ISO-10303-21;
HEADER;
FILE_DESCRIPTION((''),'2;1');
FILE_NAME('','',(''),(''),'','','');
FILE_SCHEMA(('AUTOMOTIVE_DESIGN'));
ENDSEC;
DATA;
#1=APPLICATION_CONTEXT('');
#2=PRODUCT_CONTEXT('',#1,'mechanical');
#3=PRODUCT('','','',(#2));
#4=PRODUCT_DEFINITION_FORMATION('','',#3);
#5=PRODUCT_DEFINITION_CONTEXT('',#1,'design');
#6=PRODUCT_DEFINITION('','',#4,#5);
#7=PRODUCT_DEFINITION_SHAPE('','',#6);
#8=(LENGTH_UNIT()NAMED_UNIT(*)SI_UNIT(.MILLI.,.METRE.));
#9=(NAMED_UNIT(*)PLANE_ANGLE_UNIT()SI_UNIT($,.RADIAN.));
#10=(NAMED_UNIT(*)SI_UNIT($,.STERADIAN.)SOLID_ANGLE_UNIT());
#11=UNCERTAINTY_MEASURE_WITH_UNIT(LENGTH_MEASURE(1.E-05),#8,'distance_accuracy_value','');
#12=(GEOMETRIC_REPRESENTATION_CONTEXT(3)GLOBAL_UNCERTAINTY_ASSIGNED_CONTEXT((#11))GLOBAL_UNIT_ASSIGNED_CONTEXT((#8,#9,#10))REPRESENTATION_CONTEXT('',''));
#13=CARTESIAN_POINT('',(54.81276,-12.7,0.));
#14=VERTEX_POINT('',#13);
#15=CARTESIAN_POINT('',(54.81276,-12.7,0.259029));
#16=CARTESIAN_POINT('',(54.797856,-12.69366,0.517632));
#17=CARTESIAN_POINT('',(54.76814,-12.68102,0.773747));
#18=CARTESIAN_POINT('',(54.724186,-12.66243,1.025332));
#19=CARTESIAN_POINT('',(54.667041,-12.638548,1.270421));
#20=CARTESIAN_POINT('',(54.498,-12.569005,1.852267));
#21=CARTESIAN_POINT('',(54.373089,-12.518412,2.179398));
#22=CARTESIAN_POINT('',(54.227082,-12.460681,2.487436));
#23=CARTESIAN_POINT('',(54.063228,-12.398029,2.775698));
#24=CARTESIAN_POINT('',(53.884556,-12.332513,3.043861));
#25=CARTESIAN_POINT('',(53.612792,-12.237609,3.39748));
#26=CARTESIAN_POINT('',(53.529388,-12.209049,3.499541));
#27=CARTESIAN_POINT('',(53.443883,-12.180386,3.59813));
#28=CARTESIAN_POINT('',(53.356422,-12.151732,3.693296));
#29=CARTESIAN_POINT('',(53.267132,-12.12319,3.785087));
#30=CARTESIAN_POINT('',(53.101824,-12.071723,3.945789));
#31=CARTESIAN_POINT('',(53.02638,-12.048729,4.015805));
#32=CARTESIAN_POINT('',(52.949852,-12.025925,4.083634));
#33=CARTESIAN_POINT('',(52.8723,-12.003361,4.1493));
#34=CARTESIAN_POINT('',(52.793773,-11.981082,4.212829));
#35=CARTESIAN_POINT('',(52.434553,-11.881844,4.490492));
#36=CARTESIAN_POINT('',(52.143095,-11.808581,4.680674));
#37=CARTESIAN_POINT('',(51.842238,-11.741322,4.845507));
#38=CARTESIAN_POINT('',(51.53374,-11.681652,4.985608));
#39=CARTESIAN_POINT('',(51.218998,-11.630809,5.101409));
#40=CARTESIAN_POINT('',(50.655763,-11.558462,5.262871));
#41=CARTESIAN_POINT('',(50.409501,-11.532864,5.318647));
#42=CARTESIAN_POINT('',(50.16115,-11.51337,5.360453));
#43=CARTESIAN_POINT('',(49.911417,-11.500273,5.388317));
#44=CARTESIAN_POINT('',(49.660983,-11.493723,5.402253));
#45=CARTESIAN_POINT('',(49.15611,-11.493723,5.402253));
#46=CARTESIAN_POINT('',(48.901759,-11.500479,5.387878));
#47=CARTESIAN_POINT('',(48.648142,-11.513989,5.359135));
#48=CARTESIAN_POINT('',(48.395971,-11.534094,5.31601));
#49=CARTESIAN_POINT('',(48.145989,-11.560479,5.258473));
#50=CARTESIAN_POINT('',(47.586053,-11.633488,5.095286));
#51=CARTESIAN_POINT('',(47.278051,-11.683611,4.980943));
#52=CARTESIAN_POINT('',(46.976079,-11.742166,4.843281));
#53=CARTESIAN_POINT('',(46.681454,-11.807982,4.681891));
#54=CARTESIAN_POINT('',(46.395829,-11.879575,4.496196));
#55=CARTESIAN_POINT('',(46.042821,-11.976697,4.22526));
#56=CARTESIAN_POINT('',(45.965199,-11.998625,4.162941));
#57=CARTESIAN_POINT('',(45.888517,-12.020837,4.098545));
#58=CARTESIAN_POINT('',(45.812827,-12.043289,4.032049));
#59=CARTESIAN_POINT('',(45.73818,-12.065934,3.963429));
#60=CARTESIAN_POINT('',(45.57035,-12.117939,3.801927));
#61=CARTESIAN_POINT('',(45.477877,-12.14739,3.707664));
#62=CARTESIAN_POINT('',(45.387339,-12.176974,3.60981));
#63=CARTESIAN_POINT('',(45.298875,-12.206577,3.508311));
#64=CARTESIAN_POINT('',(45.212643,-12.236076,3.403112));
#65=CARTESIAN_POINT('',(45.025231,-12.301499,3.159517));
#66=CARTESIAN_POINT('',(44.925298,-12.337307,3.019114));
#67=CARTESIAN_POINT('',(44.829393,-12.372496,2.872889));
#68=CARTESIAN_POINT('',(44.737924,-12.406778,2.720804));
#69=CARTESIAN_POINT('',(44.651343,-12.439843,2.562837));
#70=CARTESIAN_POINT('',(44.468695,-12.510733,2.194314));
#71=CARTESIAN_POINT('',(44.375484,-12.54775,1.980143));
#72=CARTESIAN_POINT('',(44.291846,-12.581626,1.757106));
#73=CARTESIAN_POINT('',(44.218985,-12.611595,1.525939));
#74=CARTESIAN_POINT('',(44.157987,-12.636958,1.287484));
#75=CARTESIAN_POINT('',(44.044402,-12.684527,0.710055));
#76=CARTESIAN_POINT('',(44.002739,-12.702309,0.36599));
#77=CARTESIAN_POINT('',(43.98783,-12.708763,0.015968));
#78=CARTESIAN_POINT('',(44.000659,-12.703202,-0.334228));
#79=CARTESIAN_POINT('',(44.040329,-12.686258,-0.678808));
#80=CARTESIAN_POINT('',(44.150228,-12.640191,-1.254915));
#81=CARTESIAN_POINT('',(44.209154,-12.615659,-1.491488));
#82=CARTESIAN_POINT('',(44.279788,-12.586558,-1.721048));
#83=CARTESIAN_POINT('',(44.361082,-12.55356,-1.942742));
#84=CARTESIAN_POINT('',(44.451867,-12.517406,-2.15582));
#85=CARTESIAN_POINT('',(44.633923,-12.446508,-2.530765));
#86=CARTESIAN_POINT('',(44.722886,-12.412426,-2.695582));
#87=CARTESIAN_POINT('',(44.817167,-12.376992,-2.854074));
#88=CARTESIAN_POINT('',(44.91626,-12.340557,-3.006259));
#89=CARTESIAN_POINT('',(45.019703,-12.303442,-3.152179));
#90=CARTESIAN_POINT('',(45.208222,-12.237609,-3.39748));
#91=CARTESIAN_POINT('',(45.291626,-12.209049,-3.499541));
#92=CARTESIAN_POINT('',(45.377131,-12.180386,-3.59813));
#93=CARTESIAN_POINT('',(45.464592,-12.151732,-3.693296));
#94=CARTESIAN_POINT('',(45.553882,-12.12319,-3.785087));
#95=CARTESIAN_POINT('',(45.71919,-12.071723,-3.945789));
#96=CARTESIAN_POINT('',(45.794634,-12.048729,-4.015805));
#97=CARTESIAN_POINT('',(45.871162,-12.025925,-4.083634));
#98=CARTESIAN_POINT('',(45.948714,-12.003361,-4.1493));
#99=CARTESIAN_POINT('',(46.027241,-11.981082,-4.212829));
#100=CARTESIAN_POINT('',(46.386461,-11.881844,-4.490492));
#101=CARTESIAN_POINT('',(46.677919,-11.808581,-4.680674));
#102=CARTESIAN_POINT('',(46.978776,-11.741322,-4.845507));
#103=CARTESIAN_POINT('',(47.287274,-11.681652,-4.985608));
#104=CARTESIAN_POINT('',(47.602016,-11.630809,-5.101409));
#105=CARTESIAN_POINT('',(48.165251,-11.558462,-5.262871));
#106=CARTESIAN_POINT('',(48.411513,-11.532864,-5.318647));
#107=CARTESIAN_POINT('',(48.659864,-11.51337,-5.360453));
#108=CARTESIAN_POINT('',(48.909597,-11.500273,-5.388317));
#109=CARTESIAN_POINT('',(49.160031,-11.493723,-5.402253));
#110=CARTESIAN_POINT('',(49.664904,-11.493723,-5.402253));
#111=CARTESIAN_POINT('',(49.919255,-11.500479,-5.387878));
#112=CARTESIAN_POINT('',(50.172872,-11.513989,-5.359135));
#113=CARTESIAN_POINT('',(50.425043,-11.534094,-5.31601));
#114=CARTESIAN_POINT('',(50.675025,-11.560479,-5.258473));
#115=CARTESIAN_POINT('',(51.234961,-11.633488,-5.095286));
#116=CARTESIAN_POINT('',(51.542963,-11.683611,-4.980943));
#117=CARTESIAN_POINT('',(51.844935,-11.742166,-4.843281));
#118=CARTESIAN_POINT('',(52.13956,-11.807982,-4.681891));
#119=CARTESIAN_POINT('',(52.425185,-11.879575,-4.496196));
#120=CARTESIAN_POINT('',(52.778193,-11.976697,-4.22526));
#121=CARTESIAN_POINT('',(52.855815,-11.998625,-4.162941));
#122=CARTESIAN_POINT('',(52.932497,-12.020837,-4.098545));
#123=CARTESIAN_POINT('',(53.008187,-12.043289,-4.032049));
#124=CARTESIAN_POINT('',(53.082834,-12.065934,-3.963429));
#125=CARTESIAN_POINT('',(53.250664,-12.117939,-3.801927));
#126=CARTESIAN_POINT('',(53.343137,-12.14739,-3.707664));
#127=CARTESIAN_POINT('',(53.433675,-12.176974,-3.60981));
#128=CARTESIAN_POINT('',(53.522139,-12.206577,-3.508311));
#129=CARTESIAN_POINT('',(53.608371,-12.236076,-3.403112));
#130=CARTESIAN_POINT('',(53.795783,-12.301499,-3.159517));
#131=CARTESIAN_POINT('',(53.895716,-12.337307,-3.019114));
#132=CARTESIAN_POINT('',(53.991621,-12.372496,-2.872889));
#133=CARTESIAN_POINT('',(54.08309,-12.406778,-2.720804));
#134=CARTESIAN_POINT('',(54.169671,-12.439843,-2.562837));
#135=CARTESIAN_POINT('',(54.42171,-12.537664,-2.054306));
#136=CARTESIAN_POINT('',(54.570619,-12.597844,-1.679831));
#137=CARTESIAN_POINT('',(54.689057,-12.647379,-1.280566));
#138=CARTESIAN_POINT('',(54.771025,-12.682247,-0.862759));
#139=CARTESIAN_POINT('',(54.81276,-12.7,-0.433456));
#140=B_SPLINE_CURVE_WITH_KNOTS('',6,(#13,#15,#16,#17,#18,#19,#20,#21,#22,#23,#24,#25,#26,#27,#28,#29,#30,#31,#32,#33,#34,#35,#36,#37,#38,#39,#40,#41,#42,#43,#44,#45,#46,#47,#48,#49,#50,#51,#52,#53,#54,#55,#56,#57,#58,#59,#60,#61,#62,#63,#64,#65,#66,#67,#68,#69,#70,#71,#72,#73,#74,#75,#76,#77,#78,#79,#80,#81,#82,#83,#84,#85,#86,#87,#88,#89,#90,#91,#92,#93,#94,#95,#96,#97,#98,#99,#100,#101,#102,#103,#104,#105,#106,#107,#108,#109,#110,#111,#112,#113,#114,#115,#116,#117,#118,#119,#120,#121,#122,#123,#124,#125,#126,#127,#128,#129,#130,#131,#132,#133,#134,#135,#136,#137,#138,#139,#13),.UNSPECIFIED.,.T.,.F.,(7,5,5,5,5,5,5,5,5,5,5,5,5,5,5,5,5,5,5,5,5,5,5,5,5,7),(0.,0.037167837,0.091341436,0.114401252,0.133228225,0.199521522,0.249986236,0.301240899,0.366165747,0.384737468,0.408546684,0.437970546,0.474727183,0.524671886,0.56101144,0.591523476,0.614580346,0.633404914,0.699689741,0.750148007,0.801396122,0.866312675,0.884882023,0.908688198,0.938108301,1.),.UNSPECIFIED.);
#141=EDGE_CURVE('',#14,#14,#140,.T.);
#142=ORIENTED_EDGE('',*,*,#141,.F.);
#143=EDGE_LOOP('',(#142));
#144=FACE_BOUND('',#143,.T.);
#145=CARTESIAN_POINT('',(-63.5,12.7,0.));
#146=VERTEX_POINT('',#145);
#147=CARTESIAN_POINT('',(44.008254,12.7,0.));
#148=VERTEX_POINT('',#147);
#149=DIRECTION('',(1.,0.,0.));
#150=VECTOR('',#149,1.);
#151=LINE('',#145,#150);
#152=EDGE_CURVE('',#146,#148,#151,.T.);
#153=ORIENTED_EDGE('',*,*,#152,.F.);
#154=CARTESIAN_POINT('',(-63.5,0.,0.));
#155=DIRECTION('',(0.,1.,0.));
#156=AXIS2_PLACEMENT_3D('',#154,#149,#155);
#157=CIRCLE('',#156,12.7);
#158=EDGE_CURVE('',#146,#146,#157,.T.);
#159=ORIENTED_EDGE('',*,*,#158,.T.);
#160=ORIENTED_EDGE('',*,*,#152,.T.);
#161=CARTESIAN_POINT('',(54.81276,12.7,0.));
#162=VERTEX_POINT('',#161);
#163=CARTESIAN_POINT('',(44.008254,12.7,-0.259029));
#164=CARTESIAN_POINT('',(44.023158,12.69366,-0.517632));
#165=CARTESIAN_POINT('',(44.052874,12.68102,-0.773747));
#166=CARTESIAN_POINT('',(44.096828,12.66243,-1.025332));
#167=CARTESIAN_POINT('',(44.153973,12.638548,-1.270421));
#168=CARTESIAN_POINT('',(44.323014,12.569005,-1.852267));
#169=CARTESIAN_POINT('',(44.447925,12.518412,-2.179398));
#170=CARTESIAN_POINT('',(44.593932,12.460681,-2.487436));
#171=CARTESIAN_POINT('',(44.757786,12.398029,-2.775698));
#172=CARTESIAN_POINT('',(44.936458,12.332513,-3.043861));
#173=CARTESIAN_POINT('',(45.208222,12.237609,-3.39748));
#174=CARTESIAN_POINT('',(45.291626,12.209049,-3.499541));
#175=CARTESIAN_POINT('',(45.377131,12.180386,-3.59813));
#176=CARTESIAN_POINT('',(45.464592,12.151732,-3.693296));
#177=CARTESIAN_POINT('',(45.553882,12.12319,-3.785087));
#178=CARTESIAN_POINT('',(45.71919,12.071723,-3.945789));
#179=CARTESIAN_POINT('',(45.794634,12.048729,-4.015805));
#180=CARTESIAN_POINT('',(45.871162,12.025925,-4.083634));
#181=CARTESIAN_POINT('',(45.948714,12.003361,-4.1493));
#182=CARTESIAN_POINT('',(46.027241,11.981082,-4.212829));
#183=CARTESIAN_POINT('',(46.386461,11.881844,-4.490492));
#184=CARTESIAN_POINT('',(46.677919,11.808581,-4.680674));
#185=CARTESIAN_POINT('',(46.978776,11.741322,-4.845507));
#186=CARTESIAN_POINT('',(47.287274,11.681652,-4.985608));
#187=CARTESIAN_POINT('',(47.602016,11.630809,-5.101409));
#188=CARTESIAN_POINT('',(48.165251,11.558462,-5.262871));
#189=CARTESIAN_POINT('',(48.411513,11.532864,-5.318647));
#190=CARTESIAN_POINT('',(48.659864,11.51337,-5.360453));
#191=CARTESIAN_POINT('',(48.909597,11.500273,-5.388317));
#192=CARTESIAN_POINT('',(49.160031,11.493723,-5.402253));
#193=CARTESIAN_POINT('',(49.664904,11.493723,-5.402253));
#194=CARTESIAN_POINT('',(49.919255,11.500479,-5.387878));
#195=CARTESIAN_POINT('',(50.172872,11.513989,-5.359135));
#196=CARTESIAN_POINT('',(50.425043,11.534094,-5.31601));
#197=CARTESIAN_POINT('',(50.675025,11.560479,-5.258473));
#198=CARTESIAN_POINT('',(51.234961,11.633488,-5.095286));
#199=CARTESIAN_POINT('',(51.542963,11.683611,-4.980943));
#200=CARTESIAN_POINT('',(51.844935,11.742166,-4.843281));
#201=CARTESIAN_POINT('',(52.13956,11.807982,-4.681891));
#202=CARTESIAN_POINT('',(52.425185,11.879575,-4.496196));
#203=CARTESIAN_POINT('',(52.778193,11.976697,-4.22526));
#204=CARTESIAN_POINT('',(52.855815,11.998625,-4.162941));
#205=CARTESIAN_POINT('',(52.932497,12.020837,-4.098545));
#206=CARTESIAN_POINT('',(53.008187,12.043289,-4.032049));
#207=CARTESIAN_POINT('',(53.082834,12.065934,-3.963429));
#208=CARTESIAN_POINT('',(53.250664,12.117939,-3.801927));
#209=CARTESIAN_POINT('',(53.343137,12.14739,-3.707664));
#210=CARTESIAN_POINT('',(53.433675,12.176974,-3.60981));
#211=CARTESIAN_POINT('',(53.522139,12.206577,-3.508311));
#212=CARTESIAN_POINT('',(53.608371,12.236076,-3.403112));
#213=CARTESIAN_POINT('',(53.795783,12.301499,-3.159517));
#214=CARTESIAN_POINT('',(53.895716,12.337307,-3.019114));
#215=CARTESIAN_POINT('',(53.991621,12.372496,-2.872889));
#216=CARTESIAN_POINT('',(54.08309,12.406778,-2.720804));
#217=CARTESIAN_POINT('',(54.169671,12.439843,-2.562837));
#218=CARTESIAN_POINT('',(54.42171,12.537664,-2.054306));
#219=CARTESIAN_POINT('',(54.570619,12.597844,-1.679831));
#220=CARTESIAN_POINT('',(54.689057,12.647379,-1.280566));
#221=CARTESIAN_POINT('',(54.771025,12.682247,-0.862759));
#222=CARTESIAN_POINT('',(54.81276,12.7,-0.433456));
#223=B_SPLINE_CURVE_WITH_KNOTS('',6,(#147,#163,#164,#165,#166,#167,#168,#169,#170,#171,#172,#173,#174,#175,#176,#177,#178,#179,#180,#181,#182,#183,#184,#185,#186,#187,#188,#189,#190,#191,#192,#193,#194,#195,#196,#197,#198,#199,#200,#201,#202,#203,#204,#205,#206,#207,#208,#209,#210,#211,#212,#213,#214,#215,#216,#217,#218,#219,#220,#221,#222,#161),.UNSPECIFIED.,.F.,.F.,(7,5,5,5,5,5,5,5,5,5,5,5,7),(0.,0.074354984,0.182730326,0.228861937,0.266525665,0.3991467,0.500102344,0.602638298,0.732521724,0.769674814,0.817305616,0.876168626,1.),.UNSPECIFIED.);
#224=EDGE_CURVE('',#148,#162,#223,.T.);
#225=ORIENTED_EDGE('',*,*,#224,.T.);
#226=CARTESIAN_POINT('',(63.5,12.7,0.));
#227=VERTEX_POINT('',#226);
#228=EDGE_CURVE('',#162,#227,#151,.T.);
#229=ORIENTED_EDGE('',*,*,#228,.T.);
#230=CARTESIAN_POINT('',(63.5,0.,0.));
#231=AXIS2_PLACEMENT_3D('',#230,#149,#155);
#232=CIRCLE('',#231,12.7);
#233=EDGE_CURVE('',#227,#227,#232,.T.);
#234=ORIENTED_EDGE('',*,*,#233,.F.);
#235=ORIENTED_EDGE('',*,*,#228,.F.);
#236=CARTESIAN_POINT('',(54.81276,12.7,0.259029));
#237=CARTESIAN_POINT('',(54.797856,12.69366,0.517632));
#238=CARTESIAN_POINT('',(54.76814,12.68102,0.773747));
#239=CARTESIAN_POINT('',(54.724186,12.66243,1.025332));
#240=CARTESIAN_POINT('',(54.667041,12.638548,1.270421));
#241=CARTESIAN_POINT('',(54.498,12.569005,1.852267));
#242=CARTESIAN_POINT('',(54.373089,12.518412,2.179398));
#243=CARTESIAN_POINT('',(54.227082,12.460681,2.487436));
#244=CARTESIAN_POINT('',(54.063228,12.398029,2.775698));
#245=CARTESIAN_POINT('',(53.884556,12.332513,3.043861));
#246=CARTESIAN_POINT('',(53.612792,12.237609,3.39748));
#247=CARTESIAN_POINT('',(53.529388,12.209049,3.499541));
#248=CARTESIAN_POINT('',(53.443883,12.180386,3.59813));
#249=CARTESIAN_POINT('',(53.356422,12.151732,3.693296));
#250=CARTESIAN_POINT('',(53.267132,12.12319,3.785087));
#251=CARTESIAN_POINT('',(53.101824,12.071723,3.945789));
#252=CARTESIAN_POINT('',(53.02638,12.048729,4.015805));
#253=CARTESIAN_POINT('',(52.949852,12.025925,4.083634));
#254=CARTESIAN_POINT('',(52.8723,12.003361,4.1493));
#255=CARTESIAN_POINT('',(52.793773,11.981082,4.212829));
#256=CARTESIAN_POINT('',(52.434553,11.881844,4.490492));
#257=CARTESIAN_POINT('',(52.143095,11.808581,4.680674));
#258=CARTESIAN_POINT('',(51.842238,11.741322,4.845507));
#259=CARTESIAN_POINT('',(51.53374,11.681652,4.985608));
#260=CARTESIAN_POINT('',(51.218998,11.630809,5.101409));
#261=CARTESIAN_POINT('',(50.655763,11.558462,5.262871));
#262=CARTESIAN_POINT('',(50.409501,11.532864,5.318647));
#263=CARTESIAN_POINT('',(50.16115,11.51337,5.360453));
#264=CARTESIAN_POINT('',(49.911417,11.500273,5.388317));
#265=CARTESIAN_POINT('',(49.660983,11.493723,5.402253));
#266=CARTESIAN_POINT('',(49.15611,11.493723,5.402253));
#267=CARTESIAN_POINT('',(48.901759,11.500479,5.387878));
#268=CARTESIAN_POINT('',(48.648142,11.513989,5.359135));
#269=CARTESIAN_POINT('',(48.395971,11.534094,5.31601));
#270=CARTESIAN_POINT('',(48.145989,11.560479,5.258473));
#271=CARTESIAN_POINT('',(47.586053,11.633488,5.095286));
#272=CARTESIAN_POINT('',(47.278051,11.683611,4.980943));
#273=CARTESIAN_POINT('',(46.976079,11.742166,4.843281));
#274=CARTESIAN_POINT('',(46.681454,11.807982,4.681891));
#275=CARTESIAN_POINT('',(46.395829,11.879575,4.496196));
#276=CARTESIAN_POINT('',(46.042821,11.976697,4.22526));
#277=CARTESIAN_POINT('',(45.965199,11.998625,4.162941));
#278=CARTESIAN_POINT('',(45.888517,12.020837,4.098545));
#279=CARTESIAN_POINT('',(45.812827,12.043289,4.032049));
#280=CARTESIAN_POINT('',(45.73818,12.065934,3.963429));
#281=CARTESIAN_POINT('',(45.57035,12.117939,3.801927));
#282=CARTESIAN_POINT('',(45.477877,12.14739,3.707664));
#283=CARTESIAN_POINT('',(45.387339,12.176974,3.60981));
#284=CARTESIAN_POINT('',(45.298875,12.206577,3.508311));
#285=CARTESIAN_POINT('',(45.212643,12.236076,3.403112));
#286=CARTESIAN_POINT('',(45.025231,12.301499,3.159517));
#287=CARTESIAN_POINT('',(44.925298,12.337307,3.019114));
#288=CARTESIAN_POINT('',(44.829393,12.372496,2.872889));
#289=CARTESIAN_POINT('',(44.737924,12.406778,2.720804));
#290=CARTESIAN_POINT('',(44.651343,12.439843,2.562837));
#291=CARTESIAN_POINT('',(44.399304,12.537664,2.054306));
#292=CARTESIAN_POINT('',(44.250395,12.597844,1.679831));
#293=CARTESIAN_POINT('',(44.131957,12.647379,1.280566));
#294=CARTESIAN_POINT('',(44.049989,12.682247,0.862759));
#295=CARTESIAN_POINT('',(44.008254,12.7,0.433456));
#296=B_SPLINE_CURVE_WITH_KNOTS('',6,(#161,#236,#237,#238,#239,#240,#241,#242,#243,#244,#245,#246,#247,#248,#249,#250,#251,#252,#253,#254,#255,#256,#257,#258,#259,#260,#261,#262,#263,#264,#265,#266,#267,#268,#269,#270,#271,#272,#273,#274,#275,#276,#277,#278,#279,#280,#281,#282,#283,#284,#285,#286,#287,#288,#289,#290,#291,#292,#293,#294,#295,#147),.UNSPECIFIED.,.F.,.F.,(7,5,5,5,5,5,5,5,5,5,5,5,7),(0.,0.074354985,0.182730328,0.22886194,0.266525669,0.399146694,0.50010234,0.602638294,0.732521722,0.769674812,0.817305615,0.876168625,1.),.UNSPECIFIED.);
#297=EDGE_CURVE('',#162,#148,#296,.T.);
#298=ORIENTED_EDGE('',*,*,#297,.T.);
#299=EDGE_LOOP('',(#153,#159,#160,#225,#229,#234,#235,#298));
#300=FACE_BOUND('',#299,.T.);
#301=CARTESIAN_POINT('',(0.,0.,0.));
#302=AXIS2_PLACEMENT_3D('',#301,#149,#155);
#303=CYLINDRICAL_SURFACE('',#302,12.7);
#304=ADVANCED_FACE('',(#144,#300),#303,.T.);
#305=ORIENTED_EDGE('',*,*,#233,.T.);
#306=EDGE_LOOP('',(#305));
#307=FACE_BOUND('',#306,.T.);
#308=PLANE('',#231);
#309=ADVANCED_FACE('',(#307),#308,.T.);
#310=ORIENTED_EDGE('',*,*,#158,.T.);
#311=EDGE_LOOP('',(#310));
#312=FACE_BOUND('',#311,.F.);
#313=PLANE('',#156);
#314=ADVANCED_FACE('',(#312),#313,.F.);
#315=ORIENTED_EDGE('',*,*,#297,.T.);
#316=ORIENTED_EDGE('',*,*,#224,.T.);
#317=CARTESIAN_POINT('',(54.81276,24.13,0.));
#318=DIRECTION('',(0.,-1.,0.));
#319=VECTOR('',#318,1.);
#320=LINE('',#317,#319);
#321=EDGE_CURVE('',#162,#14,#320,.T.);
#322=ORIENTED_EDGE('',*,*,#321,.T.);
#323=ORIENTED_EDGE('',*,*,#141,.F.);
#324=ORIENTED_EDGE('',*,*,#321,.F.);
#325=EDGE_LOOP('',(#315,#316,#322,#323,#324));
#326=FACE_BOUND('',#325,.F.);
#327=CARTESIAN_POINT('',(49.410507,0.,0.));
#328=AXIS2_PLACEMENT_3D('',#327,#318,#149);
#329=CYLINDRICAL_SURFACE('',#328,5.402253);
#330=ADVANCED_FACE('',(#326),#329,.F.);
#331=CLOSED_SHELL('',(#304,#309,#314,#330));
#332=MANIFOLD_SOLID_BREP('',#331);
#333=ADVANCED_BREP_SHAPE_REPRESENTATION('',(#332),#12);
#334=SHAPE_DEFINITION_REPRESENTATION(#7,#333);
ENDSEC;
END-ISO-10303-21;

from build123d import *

# Parameters (mm, degrees)
F0_R     = 12.7
F1_DEPTH = 63.5
F2_R     = 5.402253
F3_DEPTH = 24.13


with BuildPart() as f1:
    # F0 (on Right) → F1 (new body, symmetric)
    with BuildSketch(Plane.YZ):
        Circle(F0_R)
    extrude(amount=F1_DEPTH, both=True)

    # F2 (on Front) → F3 (cut, symmetric)
    with BuildSketch(Plane.XZ):
        with Locations((49.410507, 0)):
            Circle(F2_R)
    extrude(amount=F3_DEPTH, both=True, mode=Mode.SUBTRACT)


solid = f1.part
